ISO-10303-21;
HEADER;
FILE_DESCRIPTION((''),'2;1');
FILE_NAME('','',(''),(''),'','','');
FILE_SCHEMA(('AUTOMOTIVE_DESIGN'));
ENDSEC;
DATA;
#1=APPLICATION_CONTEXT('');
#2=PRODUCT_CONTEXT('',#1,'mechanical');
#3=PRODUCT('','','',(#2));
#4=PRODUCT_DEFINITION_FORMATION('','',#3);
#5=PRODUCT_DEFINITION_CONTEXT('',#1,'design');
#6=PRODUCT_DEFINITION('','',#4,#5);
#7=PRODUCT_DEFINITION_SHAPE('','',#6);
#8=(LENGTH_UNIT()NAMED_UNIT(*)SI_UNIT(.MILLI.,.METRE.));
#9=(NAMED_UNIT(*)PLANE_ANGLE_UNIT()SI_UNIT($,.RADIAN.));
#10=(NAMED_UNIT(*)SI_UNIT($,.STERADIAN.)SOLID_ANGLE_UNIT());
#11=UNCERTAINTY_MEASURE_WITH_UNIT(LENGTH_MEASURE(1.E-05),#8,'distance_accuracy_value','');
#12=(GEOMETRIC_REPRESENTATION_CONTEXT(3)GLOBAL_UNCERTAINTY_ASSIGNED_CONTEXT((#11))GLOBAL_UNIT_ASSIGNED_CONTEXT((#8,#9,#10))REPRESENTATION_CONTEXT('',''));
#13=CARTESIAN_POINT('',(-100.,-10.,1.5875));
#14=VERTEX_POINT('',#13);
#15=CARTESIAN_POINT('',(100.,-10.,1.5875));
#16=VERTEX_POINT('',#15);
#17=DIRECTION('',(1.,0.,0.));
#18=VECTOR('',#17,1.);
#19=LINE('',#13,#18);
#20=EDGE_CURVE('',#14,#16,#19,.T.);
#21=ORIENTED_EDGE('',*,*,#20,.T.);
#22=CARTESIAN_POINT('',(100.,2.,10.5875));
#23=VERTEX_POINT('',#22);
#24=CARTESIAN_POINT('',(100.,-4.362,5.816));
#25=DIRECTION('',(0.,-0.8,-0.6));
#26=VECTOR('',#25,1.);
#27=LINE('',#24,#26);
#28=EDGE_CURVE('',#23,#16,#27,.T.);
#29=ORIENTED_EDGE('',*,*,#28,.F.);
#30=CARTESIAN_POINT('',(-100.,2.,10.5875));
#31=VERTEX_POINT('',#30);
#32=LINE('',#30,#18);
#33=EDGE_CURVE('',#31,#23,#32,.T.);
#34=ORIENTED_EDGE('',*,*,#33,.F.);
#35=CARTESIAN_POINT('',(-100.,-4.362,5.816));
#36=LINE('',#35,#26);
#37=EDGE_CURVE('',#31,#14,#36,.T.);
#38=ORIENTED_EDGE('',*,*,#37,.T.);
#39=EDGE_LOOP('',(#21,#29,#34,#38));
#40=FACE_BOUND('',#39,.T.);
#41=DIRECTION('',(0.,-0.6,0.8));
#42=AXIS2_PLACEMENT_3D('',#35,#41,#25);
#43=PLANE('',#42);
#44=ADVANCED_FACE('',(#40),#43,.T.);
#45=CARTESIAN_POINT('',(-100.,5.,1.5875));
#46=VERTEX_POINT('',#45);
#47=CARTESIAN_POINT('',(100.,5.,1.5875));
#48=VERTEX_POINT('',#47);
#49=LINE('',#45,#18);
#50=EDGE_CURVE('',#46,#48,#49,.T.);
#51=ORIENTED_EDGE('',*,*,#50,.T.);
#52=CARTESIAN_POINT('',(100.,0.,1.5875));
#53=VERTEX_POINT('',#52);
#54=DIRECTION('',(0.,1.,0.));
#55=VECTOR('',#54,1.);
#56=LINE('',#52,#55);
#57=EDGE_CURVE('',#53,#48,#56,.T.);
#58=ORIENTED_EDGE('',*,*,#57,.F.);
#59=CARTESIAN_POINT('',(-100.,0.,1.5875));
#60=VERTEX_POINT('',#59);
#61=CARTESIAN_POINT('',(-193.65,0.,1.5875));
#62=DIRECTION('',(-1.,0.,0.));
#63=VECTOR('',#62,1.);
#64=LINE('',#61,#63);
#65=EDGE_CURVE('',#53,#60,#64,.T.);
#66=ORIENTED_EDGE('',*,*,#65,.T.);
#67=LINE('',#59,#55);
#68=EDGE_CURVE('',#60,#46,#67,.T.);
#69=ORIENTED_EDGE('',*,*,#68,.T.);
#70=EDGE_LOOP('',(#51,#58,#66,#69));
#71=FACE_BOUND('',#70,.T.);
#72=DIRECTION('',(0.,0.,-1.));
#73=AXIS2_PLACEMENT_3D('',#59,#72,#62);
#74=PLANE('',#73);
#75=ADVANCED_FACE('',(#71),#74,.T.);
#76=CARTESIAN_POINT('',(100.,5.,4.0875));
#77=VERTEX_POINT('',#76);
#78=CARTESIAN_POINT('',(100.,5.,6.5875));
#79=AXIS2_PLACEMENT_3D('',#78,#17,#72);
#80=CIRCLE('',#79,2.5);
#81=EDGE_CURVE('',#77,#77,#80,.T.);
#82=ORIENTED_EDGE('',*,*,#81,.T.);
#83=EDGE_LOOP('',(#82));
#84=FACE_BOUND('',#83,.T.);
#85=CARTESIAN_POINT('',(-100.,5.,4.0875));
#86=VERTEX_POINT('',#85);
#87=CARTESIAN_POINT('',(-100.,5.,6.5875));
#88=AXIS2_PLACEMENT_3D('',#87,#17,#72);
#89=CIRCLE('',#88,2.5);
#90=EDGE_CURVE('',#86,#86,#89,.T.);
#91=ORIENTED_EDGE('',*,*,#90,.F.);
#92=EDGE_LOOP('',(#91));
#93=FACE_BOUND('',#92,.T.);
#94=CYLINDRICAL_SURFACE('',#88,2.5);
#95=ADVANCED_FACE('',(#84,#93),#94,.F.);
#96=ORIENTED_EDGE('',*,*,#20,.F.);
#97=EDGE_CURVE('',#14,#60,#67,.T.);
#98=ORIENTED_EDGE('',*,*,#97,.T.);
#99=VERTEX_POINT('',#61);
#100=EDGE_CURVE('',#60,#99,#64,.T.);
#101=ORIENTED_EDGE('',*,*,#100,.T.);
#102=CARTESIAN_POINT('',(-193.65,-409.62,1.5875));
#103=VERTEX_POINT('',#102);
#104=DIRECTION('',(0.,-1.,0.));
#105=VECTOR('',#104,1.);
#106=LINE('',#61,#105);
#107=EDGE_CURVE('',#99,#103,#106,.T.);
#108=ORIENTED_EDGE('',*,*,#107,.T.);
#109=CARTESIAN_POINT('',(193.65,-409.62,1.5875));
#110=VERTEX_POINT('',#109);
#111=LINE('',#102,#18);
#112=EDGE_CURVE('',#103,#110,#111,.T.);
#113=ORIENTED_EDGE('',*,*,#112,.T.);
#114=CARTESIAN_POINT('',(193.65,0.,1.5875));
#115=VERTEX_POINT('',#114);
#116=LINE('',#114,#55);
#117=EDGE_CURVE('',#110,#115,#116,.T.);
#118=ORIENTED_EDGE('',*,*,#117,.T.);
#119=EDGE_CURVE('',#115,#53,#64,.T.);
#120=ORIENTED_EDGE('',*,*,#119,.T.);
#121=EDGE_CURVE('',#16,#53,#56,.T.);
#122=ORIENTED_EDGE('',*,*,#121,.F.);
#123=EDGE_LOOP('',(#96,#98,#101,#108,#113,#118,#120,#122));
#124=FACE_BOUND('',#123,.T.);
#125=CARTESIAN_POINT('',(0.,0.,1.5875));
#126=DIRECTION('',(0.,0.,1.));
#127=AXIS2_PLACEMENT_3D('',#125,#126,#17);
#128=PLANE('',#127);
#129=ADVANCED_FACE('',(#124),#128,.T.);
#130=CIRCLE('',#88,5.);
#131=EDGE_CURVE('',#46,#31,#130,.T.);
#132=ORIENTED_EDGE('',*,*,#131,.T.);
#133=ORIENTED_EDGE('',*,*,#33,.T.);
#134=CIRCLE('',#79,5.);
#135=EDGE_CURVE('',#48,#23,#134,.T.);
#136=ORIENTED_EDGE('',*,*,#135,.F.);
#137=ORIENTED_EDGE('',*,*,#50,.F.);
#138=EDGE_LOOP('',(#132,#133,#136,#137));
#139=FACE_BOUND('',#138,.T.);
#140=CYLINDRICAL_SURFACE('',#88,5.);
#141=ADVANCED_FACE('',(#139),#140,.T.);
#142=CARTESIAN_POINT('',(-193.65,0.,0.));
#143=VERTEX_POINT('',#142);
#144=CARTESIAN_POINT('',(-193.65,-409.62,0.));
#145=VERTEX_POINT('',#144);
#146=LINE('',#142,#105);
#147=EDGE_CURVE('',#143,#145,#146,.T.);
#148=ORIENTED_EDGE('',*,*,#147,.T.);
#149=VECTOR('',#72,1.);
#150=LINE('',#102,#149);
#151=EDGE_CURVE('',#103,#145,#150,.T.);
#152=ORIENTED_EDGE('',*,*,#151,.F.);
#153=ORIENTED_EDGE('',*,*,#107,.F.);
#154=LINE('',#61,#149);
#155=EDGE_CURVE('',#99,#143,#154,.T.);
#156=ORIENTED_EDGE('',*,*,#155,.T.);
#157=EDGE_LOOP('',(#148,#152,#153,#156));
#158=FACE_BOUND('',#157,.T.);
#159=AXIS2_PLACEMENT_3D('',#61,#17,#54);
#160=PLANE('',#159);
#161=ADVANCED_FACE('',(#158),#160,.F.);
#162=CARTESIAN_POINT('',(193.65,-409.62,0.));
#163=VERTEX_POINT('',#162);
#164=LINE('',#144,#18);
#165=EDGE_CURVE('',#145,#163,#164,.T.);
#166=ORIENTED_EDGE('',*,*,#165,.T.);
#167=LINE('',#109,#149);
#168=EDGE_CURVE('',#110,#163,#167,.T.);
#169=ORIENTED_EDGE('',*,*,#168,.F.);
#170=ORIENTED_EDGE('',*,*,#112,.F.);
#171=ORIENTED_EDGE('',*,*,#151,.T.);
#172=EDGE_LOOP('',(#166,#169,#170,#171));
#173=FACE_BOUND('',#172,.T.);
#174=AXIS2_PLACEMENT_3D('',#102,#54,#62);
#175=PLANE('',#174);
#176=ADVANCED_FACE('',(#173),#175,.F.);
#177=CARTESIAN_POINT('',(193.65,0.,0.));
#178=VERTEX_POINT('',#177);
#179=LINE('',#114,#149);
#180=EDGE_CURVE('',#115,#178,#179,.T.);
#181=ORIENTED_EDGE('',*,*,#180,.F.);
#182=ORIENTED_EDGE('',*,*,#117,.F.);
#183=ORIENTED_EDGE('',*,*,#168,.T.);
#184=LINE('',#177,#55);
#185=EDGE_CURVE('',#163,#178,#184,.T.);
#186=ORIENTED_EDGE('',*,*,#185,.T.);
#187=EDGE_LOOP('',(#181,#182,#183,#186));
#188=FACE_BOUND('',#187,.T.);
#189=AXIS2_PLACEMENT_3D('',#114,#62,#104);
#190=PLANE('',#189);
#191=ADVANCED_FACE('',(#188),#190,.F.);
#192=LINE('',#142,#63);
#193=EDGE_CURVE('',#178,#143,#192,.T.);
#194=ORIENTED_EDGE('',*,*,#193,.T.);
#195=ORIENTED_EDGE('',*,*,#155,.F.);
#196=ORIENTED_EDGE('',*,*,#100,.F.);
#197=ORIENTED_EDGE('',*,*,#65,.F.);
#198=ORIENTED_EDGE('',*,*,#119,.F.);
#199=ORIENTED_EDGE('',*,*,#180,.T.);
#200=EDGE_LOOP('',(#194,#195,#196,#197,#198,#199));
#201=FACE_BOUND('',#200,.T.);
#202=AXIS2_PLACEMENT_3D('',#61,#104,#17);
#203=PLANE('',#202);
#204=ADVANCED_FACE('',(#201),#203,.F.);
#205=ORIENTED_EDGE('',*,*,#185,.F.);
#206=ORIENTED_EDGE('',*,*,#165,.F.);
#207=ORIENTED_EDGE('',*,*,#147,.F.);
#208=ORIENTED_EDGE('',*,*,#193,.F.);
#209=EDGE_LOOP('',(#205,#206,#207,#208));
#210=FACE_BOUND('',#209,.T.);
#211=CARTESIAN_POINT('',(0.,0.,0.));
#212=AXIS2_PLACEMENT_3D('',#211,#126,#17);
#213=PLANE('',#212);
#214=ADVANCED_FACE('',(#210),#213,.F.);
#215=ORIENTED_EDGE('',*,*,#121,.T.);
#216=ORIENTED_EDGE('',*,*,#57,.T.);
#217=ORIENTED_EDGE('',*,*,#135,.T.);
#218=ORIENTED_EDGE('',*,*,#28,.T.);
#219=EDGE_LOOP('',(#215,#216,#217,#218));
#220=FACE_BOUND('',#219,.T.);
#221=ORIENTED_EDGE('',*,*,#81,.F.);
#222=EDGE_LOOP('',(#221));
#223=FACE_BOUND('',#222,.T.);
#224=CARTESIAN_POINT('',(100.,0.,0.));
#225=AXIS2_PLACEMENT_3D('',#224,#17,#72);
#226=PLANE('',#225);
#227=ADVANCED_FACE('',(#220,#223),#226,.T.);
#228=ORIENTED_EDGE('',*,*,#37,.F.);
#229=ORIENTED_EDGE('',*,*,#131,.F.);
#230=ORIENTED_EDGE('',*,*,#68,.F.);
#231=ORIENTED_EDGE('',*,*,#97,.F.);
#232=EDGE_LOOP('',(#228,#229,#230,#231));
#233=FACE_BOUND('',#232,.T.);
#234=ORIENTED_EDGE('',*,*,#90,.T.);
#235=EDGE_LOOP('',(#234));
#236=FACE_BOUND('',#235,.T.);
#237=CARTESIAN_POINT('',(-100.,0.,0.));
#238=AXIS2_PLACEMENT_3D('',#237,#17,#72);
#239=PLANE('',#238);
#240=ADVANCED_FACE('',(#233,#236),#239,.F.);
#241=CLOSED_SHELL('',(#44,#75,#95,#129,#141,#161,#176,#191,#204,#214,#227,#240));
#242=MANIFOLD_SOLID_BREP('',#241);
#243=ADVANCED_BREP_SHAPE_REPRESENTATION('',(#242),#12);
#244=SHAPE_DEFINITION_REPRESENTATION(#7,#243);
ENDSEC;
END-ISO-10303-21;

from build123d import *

# Parameters (mm, degrees)
SKETCH1_W           = 387.3
SKETCH1_H           = 409.62
BOSS_EXTRUDE1_DEPTH = 1.5875
SKETCH2_R           = 2.5
BOSS_EXTRUDE3_DEPTH = 100


with BuildPart() as part:
    # Sketch1 → Boss-Extrude1 (new body)
    with BuildSketch(Plane.XY):
        with Locations((0, -204.81)):
            Rectangle(SKETCH1_W, SKETCH1_H)
    extrude(amount=BOSS_EXTRUDE1_DEPTH)

    # Sketch2 → Boss-Extrude3 (add, symmetric)
    with BuildSketch(Plane(origin=(0, 0, 0), x_dir=(0, 0, -1), z_dir=(1, 0, 0))):
        with BuildLine():
            Line((-10.5875, 2), (-1.5875, -10))
            Line((-1.5875, -10), (-1.5875, 5))
            ThreePointArc((-1.5875, 5), (-8.16863883, 9.74341649), (-10.5875, 2))
        make_face()
        with Locations((-6.5875, 5)):
            Circle(SKETCH2_R, mode=Mode.SUBTRACT)
    extrude(amount=BOSS_EXTRUDE3_DEPTH, both=True)


solid = part.part
